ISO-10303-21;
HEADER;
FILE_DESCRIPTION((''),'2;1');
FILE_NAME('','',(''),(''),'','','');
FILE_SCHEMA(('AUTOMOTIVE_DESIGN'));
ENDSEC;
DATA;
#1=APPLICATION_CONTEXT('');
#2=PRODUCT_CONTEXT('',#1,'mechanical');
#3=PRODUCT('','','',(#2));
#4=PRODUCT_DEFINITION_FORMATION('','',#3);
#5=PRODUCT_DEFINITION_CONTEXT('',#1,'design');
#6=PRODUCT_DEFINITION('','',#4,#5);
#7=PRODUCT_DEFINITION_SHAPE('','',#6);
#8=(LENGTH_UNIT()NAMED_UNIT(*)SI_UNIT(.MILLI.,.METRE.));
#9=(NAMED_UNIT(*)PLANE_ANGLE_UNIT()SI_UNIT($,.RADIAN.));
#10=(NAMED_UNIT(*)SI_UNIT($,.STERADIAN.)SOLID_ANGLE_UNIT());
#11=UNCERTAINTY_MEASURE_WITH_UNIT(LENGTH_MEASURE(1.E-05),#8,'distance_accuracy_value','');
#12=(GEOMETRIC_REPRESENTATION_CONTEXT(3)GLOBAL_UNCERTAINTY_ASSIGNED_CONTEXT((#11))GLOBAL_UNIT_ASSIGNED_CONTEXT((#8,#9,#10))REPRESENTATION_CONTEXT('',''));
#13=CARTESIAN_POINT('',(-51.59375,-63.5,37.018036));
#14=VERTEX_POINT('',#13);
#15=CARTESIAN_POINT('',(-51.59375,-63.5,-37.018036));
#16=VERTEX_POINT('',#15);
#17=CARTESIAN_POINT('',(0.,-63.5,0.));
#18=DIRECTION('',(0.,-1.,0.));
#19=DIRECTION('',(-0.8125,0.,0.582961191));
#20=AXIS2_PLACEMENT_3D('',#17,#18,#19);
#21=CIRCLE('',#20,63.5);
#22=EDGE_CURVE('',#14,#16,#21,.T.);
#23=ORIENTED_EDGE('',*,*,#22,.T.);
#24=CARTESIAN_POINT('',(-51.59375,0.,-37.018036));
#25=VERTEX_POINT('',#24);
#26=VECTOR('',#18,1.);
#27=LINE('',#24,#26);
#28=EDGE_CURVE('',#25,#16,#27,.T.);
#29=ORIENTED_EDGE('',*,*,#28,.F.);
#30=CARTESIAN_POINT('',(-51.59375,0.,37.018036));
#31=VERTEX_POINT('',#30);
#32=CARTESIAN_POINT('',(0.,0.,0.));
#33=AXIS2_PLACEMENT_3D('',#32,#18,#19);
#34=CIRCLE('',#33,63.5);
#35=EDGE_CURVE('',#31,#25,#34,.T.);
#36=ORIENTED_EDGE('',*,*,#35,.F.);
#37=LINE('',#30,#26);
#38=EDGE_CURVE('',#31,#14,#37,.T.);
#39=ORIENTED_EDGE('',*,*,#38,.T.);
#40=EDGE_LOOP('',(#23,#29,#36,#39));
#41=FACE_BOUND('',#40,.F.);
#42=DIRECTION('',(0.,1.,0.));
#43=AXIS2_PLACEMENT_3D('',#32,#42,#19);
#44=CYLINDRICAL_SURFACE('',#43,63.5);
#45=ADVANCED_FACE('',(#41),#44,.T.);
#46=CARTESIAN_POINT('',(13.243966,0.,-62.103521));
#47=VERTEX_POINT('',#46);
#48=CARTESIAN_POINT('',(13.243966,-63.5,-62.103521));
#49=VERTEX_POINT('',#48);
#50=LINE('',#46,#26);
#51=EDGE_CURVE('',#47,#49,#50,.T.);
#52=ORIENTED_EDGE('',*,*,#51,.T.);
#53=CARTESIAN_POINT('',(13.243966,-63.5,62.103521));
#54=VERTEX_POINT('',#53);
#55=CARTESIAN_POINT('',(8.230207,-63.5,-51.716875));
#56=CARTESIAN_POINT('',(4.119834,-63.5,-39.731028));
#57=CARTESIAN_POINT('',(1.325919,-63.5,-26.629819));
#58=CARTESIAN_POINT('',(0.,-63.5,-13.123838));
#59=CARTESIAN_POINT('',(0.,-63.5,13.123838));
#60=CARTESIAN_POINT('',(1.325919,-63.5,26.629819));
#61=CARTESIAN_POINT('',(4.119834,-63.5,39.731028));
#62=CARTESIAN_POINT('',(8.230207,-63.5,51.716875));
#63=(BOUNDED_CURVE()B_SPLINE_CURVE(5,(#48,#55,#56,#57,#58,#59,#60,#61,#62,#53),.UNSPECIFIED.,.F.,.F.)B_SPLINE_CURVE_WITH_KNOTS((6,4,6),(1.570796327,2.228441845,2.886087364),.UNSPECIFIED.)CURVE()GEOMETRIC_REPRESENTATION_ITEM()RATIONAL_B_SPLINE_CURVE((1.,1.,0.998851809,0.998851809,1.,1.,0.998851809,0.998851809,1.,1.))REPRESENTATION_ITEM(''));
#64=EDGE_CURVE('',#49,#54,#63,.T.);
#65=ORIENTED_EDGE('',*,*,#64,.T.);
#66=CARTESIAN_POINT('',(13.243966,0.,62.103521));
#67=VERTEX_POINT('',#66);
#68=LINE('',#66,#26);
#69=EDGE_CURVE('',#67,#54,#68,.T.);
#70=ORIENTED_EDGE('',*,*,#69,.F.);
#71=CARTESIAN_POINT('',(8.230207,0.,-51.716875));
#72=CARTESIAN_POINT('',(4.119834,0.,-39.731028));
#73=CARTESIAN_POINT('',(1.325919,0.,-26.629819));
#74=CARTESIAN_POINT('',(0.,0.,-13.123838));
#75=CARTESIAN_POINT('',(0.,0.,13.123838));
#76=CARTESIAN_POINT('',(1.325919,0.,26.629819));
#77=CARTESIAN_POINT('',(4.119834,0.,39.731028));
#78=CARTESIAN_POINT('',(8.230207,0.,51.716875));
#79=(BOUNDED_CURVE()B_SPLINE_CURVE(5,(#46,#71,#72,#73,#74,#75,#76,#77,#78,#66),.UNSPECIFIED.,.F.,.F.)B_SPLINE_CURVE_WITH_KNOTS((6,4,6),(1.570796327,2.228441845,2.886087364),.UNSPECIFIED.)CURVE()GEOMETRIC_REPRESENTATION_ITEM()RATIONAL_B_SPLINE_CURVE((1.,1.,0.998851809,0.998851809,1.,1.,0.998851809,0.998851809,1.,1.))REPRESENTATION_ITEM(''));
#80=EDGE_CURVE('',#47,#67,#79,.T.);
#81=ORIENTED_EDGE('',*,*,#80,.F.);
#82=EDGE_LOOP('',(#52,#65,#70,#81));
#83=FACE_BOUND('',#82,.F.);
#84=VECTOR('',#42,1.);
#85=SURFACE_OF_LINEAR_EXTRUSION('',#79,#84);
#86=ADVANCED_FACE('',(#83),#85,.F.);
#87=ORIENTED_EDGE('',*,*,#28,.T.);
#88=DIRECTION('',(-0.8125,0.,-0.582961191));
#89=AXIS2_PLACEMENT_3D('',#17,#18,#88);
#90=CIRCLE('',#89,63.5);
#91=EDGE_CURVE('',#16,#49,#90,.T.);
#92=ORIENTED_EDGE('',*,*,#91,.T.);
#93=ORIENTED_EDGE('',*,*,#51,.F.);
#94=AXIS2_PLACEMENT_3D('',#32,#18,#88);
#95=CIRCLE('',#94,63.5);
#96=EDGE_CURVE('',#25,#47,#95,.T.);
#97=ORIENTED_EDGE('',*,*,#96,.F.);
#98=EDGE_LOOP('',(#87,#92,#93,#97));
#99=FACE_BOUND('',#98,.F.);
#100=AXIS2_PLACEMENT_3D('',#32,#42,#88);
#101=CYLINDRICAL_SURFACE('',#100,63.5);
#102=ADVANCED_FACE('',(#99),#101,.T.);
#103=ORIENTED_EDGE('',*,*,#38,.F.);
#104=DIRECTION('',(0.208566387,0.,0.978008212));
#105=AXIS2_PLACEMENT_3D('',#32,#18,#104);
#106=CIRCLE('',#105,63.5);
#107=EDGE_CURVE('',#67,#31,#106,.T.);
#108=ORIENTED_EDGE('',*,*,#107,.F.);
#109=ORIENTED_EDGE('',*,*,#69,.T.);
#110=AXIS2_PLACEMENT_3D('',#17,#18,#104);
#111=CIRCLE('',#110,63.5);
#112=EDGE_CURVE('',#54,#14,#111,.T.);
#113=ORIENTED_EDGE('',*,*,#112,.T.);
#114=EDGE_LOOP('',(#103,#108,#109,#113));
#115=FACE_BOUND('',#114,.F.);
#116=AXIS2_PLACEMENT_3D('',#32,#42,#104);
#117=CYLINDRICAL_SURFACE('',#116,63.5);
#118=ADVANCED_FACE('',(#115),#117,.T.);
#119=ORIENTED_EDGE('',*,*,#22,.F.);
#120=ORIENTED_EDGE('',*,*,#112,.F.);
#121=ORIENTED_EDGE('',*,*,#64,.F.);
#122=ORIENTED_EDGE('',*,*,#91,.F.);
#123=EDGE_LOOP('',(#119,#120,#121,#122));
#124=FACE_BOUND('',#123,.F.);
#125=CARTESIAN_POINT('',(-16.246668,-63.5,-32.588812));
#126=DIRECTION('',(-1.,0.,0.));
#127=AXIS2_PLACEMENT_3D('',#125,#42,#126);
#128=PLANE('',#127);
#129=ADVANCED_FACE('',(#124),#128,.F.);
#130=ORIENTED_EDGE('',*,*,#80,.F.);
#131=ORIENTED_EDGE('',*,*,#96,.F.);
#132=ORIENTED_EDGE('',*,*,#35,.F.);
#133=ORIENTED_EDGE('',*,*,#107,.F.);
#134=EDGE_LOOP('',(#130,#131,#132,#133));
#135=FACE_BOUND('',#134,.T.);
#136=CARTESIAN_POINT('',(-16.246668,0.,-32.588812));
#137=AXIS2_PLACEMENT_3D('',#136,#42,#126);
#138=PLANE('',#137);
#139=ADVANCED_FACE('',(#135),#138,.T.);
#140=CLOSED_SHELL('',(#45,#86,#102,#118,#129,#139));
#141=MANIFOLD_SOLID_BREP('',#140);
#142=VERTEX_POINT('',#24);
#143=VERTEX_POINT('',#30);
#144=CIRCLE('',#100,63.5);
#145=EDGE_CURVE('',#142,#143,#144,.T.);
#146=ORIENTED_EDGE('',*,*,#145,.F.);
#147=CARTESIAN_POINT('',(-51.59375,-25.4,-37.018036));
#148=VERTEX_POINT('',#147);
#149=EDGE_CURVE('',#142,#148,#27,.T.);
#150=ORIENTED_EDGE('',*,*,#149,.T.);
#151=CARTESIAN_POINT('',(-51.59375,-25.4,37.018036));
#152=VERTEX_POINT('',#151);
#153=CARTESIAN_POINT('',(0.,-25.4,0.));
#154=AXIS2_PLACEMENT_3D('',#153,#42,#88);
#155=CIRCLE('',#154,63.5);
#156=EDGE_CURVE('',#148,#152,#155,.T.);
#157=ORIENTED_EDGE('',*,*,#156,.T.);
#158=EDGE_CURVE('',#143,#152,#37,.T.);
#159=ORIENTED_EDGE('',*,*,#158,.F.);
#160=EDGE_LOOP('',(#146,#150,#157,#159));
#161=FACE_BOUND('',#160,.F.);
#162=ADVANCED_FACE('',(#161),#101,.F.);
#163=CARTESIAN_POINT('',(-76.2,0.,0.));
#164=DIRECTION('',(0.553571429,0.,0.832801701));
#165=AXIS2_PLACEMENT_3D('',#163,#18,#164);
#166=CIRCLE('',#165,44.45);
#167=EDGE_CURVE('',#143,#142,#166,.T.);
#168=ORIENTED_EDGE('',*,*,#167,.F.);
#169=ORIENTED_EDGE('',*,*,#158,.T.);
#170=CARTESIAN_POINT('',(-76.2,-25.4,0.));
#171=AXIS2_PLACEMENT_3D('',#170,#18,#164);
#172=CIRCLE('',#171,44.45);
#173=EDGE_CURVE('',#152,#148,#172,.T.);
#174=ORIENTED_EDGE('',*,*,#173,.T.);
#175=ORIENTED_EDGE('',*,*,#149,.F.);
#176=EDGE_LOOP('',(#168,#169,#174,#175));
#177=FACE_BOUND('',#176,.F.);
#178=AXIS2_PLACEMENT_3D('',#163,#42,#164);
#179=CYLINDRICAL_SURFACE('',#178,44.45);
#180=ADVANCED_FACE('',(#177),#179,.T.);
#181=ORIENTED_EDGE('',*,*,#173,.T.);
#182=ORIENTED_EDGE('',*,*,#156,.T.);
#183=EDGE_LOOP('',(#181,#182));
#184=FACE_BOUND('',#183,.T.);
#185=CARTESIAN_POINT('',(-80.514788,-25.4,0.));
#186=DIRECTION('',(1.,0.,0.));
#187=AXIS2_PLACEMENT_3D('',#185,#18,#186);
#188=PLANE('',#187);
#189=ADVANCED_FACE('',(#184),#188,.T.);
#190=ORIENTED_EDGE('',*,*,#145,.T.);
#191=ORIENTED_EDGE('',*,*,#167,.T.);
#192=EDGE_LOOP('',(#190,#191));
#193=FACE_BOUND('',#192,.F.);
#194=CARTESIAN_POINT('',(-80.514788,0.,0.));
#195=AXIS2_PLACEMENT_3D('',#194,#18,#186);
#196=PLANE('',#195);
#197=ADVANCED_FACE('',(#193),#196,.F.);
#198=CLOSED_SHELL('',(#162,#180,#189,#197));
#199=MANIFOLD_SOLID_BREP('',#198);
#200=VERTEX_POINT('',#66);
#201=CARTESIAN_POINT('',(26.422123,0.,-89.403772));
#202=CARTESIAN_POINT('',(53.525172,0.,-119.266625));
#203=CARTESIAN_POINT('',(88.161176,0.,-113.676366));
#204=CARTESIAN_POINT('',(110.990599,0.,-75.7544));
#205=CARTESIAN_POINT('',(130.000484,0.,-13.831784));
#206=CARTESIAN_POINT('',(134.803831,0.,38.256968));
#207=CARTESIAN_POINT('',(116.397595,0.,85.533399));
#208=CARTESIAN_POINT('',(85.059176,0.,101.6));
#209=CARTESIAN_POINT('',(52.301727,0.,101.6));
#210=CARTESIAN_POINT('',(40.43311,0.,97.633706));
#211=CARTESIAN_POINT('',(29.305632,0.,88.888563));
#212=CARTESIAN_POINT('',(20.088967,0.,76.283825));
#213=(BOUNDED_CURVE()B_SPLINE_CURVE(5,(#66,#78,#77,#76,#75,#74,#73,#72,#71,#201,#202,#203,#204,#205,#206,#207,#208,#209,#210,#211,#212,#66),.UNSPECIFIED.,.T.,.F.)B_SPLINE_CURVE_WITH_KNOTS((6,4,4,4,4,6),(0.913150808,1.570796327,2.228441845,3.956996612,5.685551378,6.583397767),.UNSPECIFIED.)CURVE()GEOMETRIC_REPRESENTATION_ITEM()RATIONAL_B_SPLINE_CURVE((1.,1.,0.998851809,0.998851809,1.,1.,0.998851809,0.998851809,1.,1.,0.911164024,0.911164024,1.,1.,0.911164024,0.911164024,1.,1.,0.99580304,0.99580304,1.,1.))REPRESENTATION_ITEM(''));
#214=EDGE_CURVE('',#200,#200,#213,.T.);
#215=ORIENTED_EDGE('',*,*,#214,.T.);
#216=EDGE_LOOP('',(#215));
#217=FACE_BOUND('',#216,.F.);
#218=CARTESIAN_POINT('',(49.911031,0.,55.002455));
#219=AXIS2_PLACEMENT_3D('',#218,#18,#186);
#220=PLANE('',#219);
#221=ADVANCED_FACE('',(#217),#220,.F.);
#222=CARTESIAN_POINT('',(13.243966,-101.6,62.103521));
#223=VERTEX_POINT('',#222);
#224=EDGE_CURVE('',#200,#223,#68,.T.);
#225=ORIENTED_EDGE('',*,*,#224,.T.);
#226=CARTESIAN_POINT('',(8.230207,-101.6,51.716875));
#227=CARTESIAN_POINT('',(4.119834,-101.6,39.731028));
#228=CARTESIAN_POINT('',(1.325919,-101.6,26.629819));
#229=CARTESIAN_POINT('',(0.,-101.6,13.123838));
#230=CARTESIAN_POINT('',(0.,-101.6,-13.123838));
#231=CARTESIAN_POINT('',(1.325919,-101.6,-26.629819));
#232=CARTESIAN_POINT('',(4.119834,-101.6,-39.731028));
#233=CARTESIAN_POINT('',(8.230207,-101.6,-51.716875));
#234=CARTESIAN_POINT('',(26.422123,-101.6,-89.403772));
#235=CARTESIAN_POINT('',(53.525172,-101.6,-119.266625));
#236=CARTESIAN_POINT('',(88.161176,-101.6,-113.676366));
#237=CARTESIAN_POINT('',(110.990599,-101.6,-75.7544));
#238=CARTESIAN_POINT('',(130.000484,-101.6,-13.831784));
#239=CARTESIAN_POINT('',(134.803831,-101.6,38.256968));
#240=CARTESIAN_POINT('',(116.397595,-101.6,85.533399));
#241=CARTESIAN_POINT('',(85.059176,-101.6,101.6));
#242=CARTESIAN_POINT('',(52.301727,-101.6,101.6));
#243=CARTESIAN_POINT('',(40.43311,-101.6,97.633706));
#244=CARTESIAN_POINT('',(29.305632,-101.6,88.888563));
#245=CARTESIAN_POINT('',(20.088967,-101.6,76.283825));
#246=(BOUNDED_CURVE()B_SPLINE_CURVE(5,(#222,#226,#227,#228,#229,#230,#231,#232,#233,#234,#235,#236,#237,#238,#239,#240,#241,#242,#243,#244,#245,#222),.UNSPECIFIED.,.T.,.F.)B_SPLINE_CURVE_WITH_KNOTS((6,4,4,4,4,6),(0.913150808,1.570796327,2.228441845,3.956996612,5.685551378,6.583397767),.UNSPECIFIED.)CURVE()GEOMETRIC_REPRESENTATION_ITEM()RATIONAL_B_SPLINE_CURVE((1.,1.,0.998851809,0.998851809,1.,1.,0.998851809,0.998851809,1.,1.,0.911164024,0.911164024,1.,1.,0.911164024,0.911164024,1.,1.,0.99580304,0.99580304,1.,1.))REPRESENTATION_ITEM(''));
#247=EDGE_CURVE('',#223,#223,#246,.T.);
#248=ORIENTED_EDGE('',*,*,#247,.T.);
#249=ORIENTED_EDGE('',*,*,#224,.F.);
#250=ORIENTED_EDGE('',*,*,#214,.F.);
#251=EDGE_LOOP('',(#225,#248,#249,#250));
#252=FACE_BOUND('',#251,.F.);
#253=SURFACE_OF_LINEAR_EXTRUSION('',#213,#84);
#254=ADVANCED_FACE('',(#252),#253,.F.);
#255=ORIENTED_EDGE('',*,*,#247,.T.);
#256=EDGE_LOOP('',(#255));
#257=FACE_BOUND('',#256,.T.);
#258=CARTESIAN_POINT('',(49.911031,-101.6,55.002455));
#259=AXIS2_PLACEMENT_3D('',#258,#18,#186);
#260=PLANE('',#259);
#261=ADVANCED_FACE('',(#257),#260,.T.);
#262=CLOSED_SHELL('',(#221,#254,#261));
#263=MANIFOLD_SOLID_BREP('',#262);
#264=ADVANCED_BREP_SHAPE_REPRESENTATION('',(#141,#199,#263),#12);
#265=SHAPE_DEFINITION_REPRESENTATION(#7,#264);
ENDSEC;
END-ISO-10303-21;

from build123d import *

# Parameters (mm, degrees)
F1_DEPTH = 25.4
F2_DEPTH = 63.5
F3_DEPTH = 101.6


with BuildPart() as f1:
    # F0 (on Front) → F1 (new body)
    with BuildSketch(Plane.XZ):
        with BuildLine():
            ThreePointArc((-51.59375, -37.0180356169), (-60.4501990278, -19.4428248333), (-63.5, 0))
            ThreePointArc((-63.5, 0), (-60.4501990278, 19.4428248333), (-51.59375, 37.0180356169))
            ThreePointArc((-51.59375, 37.0180356169), (-120.65, 0), (-51.59375, -37.0180356169))
        make_face()
    extrude(amount=F1_DEPTH)


with BuildPart() as f2:
    # F0 (on Front) → F2 (new body)
    with BuildSketch(Plane.XZ):
        with BuildLine():
            add(Edge.make_bspline(
                [(0, 0), (0, -34.6669399309), (13.2439655959, -62.1035214404)],
                knots=[1.5707963268, 1.5707963268, 1.5707963268, 2.2284418454, 2.2284418454, 2.2284418454], degree=2, weights=[1, 0.9464231645, 1]))
            Line((0, 0), (-31.75, 0))
            ThreePointArc((-31.75, 0), (-37.0237934934, -21.0006510316), (-51.59375, -37.0180356169))
            ThreePointArc((-51.59375, -37.0180356169), (-22.9128106244, -59.2220660674), (13.2439655959, -62.1035214404))
        make_face()
        with BuildLine():
            Line((-31.75, 0), (0, 0))
            add(Edge.make_bspline(
                [(13.2439655959, 62.1035214404), (0, 34.6669399309), (0, 0)],
                knots=[0.9131508081, 0.9131508081, 0.9131508081, 1.5707963268, 1.5707963268, 1.5707963268], degree=2, weights=[1, 0.9464231645, 1]))
            ThreePointArc((13.2439655959, 62.1035214404), (-22.9128106244, 59.2220660674), (-51.59375, 37.0180356169))
            ThreePointArc((-51.59375, 37.0180356169), (-37.0237934934, 21.0006510316), (-31.75, 0))
        make_face()
        with BuildLine():
            Line((-63.5, 0), (-31.75, 0))
            ThreePointArc((-31.75, 0), (-37.0237934934, 21.0006510316), (-51.59375, 37.0180356169))
            ThreePointArc((-51.59375, 37.0180356169), (-60.4501990278, 19.4428248333), (-63.5, 0))
        make_face()
        with BuildLine():
            ThreePointArc((-51.59375, -37.0180356169), (-37.0237934934, -21.0006510316), (-31.75, 0))
            Line((-31.75, 0), (-63.5, 0))
            ThreePointArc((-63.5, 0), (-60.4501990278, -19.4428248333), (-51.59375, -37.0180356169))
        make_face()
    extrude(amount=F2_DEPTH)


with BuildPart() as f3:
    # F0 (on Front) → F3 (new body)
    with BuildSketch(Plane.XZ):
        with BuildLine():
            add(Edge.make_bspline(
                [(63.5, 101.6), (32.3093875408, 101.6), (13.2439655959, 62.1035214404)],
                knots=[0, 0, 0, 0.9131508081, 0.9131508081, 0.9131508081], degree=2, weights=[1, 0.8975675831, 1]))
            ThreePointArc((13.2439655959, 62.1035214404), (49.3621404284, 39.9453262889), (63.5, 0))
            Line((63.5, 0), (63.5, 101.6))
        make_face()
        with BuildLine():
            ThreePointArc((63.5, 0), (49.3621404284, -39.9453262889), (13.2439655959, -62.1035214404))
            add(Edge.make_bspline(
                [(13.2439655959, -62.1035214404), (75.5537087854, -191.1861844445), (120.4955415237, -44.7930922222), (165.437374262, 101.6), (63.5, 101.6)],
                knots=[2.2284418454, 2.2284418454, 2.2284418454, 4.2558135763, 4.2558135763, 6.2831853072, 6.2831853072, 6.2831853072], degree=2, weights=[1, 0.5287358074, 1, 0.5287358074, 1]))
            Line((63.5, 101.6), (63.5, 0))
        make_face()
        with BuildLine():
            add(Edge.make_bspline(
                [(13.2439655959, 62.1035214404), (0, 34.6669399309), (0, 0)],
                knots=[0.9131508081, 0.9131508081, 0.9131508081, 1.5707963268, 1.5707963268, 1.5707963268], degree=2, weights=[1, 0.9464231645, 1]))
            add(Edge.make_bspline(
                [(0, 0), (0, -34.6669399309), (13.2439655959, -62.1035214404)],
                knots=[1.5707963268, 1.5707963268, 1.5707963268, 2.2284418454, 2.2284418454, 2.2284418454], degree=2, weights=[1, 0.9464231645, 1]))
            ThreePointArc((13.2439655959, -62.1035214404), (49.3621404284, -39.9453262889), (63.5, 0))
            ThreePointArc((63.5, 0), (49.3621404284, 39.9453262889), (13.2439655959, 62.1035214404))
        make_face()
    extrude(amount=F3_DEPTH)


solid = Compound([f1.part, f2.part, f3.part])
